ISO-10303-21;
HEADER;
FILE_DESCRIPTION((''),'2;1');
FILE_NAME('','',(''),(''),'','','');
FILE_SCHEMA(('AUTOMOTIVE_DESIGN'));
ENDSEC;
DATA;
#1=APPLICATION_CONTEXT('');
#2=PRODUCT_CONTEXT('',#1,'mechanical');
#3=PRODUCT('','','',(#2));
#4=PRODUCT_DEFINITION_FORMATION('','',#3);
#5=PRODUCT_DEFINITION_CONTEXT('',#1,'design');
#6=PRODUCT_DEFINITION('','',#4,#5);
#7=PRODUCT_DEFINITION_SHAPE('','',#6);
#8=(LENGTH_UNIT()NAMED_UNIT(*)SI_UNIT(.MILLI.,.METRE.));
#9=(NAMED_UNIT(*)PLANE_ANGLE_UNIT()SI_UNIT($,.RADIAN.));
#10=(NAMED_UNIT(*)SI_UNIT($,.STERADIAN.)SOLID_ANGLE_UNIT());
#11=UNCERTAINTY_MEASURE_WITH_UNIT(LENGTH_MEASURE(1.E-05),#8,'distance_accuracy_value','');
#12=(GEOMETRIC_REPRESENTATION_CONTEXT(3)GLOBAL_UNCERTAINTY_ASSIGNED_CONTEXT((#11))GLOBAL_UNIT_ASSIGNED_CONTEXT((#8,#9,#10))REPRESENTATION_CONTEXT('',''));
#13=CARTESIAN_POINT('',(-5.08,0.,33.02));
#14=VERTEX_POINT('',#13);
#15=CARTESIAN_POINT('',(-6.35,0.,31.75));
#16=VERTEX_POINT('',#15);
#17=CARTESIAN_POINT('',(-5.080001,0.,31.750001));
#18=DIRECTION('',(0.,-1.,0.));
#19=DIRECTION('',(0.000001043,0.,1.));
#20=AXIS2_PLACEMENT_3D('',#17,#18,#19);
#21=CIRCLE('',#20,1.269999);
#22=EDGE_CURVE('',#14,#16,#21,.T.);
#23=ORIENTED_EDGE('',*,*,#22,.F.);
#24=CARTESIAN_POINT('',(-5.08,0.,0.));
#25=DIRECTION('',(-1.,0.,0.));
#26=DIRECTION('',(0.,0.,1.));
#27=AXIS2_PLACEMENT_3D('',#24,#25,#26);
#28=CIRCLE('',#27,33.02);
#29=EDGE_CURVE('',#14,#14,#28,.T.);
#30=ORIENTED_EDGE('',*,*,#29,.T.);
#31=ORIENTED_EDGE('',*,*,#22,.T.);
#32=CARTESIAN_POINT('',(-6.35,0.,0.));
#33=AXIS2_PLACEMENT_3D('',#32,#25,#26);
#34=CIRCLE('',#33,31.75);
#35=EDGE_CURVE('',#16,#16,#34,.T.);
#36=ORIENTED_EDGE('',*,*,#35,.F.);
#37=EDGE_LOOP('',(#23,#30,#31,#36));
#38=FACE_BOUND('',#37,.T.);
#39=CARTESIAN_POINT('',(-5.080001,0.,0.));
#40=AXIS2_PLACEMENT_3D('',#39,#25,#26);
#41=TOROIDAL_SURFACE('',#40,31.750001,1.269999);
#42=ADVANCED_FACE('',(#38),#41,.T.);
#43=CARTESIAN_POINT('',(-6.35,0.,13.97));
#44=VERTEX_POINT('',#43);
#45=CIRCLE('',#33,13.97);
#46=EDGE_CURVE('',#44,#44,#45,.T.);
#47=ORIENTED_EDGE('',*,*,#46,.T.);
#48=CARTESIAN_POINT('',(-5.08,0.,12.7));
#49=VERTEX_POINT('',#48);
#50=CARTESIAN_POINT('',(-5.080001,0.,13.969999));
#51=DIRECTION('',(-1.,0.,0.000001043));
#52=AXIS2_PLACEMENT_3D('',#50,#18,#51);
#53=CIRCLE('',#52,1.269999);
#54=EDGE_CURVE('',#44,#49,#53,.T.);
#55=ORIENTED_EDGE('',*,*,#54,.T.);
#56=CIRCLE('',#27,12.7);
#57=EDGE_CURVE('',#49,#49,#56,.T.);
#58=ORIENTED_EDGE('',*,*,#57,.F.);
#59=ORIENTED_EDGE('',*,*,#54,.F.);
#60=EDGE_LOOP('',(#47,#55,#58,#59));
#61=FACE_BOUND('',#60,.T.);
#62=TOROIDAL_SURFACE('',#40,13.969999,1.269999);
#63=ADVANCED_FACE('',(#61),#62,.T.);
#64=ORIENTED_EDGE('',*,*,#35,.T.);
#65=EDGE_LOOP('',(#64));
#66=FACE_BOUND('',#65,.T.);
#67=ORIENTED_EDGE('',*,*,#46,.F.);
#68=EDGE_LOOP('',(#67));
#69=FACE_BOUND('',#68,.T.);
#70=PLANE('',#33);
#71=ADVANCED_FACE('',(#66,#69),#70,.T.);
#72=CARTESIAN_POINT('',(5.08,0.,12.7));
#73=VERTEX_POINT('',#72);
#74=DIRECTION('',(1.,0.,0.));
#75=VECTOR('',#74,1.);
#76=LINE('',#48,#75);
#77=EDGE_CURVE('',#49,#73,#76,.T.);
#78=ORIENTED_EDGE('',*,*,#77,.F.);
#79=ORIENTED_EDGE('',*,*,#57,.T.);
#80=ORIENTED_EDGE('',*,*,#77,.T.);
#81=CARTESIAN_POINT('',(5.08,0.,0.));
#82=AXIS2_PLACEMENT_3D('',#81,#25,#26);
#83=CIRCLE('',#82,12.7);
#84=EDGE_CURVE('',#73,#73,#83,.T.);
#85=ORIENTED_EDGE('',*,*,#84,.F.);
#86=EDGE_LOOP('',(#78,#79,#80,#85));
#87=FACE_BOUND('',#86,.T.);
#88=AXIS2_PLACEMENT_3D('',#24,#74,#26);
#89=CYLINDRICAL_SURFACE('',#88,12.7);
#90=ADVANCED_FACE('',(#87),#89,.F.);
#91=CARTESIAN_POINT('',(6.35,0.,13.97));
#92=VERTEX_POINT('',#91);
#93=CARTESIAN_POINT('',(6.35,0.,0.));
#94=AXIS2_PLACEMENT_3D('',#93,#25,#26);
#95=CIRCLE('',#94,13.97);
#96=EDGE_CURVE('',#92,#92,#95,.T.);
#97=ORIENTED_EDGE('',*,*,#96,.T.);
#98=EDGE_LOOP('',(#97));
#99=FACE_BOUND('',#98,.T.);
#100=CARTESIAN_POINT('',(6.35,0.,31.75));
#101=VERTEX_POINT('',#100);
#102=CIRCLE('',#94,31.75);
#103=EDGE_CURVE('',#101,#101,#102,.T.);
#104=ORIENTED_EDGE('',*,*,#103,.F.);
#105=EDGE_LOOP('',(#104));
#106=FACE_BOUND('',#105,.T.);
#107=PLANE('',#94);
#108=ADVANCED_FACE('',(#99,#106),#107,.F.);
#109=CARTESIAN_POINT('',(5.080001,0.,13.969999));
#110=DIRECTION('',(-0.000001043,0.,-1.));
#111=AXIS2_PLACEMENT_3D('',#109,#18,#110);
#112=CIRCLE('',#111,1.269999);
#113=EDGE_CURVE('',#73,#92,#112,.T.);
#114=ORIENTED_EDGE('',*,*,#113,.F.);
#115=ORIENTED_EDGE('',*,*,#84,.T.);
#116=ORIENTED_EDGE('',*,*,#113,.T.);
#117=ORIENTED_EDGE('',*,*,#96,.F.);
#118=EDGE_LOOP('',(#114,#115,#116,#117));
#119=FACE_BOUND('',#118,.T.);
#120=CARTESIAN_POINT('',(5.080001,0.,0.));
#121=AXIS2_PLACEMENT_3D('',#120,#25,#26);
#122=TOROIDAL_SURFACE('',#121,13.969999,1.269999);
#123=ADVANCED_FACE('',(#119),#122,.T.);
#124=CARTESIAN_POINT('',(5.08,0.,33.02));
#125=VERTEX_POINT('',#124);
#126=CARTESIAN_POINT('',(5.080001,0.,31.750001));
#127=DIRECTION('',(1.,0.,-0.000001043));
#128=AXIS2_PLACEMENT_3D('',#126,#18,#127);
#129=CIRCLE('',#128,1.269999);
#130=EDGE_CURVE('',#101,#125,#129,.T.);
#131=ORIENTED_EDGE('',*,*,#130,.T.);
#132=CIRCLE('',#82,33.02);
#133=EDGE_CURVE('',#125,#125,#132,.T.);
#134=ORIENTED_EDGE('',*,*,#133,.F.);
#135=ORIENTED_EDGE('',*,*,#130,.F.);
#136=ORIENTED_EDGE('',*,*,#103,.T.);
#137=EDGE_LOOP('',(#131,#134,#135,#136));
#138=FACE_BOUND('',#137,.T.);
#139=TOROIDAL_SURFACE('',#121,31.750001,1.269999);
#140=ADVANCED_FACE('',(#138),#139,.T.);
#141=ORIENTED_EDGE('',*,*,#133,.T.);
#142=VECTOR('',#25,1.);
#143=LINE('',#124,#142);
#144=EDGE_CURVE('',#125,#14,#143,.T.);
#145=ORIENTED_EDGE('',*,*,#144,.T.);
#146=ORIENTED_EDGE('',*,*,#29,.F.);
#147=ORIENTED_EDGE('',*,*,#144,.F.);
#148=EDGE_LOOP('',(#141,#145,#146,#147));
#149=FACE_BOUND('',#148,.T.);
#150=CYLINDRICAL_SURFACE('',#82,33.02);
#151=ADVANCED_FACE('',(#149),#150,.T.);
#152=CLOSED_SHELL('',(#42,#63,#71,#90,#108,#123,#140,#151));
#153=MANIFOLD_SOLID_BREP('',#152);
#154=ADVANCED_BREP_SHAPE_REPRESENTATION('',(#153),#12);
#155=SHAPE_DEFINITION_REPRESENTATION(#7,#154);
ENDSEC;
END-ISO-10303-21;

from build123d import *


with BuildPart() as f1:
    # F0 (on Front) → F1 (revolve)
    with BuildSketch(Plane.XZ):
        with BuildLine():
            Line((5.08, 33.02), (-5.08, 33.02))
            ThreePointArc((-5.08, 33.02), (-5.978026, 32.648026), (-6.35, 31.75))
            Line((-6.35, 31.75), (-6.35, 13.97))
            ThreePointArc((-6.35, 13.97), (-5.978026, 13.071974), (-5.08, 12.7))
            Line((-5.08, 12.7), (5.08, 12.7))
            ThreePointArc((5.08, 12.7), (5.978026, 13.071974), (6.35, 13.97))
            Line((6.35, 13.97), (6.35, 31.75))
            ThreePointArc((6.35, 31.75), (5.978026, 32.648026), (5.08, 33.02))
        make_face()
    revolve(axis=Axis((-17.721478, 0, 0), (-1, 0, 0)))


solid = f1.part
